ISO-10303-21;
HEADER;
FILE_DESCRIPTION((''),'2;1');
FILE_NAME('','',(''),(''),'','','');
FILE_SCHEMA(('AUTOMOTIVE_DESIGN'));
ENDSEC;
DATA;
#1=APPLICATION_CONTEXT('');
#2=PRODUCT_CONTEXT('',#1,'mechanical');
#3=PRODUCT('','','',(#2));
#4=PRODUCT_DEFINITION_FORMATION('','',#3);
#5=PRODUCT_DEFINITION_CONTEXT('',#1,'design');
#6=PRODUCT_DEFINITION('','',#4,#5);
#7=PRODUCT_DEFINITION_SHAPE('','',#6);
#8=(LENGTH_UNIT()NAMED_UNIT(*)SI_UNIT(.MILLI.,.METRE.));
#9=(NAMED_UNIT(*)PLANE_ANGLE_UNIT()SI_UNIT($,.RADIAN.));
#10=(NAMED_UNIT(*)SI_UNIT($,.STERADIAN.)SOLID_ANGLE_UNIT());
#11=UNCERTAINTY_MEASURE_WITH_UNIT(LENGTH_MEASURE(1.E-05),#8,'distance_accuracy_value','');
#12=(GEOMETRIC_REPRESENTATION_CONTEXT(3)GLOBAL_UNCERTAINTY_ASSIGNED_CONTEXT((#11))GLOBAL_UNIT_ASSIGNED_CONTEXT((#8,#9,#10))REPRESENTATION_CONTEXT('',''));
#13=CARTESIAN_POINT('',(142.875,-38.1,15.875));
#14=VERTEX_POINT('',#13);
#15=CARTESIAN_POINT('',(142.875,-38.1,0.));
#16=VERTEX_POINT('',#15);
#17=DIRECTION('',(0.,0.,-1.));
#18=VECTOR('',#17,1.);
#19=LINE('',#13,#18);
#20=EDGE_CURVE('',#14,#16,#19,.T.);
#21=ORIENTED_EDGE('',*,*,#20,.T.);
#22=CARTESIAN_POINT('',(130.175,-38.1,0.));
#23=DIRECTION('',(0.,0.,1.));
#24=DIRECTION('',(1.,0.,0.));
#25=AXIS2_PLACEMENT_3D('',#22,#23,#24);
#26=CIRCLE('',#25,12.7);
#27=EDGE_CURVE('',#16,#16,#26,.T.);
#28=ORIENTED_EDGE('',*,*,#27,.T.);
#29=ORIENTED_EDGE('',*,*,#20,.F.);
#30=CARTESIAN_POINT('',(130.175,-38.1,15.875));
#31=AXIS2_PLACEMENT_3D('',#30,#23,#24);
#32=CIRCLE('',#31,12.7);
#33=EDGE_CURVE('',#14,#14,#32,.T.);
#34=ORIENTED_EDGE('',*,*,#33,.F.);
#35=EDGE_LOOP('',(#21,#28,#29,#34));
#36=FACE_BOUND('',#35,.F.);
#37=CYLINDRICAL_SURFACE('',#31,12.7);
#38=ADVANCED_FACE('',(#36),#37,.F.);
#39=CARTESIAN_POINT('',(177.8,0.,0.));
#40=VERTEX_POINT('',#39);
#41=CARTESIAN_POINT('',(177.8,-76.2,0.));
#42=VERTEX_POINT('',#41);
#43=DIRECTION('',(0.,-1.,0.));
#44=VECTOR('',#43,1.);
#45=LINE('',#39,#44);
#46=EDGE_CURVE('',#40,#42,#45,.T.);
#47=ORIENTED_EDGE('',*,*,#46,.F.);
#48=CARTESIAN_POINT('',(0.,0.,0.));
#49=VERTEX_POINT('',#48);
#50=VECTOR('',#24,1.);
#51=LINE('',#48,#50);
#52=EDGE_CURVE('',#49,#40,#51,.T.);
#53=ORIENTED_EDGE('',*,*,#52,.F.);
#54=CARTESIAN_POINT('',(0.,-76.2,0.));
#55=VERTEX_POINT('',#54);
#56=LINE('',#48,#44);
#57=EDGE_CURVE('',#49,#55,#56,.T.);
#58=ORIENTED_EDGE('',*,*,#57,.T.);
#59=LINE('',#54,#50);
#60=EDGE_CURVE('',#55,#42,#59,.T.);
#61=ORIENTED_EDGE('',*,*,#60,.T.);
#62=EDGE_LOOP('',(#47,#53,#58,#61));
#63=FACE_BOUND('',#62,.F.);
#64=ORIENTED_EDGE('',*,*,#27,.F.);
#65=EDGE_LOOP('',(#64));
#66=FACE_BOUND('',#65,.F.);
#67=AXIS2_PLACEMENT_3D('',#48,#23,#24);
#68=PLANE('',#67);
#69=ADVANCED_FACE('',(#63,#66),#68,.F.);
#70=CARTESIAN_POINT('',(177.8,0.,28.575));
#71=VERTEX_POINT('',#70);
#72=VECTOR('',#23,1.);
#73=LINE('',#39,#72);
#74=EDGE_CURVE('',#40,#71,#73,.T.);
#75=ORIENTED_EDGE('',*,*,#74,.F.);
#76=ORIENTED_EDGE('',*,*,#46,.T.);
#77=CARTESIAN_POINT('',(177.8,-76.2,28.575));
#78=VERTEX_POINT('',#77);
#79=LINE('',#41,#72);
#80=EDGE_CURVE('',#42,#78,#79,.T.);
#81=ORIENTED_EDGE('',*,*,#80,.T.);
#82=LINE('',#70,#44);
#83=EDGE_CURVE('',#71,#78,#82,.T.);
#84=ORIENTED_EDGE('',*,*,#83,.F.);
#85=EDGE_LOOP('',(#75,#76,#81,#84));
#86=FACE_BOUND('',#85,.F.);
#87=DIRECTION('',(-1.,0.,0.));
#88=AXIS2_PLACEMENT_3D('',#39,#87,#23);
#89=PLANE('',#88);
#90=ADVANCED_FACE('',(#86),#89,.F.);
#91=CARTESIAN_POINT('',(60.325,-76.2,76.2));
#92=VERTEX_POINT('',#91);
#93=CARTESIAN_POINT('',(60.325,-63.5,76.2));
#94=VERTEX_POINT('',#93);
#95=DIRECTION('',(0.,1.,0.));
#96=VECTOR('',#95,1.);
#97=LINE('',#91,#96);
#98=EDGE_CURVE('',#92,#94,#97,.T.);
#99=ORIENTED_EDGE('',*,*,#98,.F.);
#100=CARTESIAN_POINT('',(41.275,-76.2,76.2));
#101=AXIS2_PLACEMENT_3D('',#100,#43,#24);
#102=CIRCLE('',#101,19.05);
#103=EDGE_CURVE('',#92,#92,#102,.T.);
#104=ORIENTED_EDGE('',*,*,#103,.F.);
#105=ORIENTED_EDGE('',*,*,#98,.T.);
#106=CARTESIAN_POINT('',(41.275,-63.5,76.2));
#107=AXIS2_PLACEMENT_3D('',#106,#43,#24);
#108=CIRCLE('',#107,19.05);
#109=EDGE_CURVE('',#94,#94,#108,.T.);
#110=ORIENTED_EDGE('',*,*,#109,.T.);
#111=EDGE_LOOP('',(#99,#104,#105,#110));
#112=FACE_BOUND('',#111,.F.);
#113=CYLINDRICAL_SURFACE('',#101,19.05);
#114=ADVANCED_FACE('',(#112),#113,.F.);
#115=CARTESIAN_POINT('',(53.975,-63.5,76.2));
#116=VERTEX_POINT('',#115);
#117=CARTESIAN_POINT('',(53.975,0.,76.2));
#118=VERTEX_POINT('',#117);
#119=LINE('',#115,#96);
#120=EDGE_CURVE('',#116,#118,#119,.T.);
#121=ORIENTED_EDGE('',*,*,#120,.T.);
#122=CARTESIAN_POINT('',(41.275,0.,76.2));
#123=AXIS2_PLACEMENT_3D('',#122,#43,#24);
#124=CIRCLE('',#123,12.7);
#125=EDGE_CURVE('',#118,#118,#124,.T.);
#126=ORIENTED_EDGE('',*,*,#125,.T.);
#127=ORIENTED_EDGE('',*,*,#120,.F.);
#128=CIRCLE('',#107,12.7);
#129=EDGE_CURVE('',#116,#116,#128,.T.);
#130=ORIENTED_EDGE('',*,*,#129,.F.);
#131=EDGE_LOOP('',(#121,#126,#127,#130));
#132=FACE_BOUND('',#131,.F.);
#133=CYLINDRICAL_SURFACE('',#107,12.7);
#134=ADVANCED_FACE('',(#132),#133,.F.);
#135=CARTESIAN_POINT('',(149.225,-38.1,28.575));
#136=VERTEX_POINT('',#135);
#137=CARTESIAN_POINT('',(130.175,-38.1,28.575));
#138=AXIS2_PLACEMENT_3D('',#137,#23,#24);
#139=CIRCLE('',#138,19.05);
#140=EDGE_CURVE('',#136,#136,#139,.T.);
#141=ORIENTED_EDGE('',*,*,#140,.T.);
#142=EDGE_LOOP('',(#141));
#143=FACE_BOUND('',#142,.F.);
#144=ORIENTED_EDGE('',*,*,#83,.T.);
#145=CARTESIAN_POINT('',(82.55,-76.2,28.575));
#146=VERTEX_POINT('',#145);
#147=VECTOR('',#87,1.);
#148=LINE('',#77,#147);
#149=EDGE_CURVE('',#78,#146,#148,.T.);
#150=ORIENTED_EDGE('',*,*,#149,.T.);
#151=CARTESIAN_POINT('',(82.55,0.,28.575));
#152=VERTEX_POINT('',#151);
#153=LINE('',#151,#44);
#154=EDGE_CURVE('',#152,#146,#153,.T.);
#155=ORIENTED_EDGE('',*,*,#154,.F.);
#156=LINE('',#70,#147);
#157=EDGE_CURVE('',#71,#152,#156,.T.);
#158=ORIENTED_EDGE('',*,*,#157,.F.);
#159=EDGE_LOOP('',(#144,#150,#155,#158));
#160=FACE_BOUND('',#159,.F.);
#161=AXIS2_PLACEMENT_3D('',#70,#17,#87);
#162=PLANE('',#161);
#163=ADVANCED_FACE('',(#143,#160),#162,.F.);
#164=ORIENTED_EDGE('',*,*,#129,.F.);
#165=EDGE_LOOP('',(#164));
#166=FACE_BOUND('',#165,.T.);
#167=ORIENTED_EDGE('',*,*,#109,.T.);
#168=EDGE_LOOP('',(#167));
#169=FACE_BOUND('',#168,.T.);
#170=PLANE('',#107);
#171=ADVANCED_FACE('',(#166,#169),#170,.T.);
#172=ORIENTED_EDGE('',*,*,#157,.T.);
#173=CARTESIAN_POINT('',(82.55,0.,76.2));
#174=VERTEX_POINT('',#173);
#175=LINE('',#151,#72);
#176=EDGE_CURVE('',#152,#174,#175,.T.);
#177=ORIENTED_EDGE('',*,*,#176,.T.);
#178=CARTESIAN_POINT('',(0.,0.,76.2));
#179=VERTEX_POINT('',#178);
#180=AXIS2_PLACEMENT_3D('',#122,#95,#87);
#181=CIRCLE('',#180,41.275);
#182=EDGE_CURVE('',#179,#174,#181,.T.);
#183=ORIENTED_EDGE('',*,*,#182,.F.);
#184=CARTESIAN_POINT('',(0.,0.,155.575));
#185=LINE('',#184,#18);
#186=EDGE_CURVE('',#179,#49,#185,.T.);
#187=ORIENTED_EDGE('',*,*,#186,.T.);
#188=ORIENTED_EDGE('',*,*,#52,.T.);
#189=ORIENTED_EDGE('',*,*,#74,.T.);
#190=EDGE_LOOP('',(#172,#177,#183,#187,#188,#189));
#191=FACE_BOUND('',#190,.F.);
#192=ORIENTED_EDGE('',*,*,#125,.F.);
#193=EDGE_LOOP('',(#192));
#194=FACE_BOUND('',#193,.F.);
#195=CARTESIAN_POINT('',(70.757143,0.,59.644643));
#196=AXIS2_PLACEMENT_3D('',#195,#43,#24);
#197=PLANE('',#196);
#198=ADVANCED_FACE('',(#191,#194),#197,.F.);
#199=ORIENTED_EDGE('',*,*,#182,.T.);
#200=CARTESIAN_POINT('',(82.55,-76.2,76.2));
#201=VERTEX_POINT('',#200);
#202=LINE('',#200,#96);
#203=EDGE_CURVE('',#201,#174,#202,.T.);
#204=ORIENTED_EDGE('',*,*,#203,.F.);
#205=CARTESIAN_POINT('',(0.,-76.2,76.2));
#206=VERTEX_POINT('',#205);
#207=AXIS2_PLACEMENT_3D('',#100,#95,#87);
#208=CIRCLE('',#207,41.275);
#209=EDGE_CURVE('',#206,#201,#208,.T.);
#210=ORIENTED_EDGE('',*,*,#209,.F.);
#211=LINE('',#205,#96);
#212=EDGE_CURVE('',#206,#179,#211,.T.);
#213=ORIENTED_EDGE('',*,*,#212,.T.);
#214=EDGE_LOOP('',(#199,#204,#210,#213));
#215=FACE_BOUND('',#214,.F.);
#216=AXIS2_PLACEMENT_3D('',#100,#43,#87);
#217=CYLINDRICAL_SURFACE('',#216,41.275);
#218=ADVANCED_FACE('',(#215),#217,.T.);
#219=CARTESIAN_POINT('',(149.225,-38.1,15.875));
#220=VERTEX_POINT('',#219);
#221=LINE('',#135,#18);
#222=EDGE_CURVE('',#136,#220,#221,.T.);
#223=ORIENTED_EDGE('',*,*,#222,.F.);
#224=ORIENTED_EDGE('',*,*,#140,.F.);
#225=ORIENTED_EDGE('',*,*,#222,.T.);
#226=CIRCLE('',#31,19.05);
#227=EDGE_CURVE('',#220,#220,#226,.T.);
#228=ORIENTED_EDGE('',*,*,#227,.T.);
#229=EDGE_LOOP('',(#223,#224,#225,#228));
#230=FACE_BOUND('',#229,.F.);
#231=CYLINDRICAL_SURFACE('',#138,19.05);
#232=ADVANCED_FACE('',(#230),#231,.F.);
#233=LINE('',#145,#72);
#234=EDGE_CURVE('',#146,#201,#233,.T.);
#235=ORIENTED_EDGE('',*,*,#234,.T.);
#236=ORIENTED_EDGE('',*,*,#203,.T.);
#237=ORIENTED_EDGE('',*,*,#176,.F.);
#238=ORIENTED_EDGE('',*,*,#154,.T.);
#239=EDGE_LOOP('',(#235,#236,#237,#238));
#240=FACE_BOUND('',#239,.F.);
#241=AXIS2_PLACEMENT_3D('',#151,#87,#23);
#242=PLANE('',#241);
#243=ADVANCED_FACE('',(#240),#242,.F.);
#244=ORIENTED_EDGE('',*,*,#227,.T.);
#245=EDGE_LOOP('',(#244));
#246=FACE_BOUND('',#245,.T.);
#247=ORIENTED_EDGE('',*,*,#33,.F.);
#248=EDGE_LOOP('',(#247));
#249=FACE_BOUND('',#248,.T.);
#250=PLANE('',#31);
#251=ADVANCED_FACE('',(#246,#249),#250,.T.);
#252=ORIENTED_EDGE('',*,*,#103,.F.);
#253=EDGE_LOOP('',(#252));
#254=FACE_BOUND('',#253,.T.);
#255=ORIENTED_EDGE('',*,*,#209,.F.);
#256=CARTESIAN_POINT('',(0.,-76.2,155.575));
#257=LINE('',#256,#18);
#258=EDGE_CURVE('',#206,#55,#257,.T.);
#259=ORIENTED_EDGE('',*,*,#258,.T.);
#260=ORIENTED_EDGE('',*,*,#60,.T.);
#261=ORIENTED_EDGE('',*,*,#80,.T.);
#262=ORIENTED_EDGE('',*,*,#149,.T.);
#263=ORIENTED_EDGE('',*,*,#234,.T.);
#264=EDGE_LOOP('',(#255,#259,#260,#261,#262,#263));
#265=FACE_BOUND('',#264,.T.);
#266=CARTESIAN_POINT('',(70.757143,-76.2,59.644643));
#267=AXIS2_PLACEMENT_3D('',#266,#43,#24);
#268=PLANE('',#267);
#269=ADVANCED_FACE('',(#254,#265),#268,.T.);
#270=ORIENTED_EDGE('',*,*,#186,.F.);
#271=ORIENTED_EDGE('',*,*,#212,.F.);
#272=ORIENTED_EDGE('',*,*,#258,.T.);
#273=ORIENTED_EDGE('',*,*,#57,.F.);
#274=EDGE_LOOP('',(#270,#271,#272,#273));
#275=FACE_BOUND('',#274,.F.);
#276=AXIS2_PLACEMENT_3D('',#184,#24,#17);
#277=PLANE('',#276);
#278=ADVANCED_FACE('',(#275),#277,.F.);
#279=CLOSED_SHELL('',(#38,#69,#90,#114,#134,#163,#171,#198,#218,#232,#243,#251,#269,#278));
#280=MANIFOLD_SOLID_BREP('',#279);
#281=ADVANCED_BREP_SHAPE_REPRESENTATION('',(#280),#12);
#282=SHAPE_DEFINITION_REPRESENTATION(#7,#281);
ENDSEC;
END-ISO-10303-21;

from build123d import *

# Parameters (mm, degrees)
F1_DEPTH  = 76.2
F3_DEPTH  = 76.2
F4_R      = 19.05
F5_DEPTH  = 12.7
F6_R      = 12.7
F7_DEPTH  = 63.5
F8_R      = 19.05
F9_DEPTH  = 12.7
F10_R     = 12.7
F11_DEPTH = 15.875


with BuildPart() as f1:
    # F0 (on Front) → F1 (new body)
    with BuildSketch(Plane.XZ):
        Polygon((0, 155.575), (0, 0), (177.8, 0), (177.8, 28.575), (82.55, 28.575), (82.55, 155.575), align=None)
    extrude(amount=F1_DEPTH)

    # F2 (on face) → F3 (cut, through all)
    with BuildSketch(Plane.XZ.offset(76.2)):
        with BuildLine():
            ThreePointArc((0, 76.2), (41.275, 117.475), (82.55, 76.2))
            Line((82.55, 76.2), (82.55, 155.575))
            Line((82.55, 155.575), (0, 155.575))
            Line((0, 155.575), (0, 76.2))
        make_face()
    extrude(amount=-F3_DEPTH, mode=Mode.SUBTRACT)

    # F4 (on face) → F5 (cut)
    with BuildSketch(Plane.XZ.offset(76.2)):
        with Locations((41.275, 76.2)):
            Circle(F4_R)
    extrude(amount=-F5_DEPTH, mode=Mode.SUBTRACT)

    # F6 (on face) → F7 (cut, through all)
    with BuildSketch(Plane.XZ.offset(63.5)):
        with Locations((41.275, 76.2)):
            Circle(F6_R)
    extrude(amount=-F7_DEPTH, mode=Mode.SUBTRACT)

    # F8 (on face) → F9 (cut)
    with BuildSketch(Plane.XY.offset(28.575)):
        with Locations((130.175, -38.1)):
            Circle(F8_R)
    extrude(amount=-F9_DEPTH, mode=Mode.SUBTRACT)

    # F10 (on face) → F11 (cut, through all)
    with BuildSketch(Plane.XY.offset(15.875)):
        with Locations((130.175, -38.1)):
            Circle(F10_R)
    extrude(amount=-F11_DEPTH, mode=Mode.SUBTRACT)


solid = f1.part
